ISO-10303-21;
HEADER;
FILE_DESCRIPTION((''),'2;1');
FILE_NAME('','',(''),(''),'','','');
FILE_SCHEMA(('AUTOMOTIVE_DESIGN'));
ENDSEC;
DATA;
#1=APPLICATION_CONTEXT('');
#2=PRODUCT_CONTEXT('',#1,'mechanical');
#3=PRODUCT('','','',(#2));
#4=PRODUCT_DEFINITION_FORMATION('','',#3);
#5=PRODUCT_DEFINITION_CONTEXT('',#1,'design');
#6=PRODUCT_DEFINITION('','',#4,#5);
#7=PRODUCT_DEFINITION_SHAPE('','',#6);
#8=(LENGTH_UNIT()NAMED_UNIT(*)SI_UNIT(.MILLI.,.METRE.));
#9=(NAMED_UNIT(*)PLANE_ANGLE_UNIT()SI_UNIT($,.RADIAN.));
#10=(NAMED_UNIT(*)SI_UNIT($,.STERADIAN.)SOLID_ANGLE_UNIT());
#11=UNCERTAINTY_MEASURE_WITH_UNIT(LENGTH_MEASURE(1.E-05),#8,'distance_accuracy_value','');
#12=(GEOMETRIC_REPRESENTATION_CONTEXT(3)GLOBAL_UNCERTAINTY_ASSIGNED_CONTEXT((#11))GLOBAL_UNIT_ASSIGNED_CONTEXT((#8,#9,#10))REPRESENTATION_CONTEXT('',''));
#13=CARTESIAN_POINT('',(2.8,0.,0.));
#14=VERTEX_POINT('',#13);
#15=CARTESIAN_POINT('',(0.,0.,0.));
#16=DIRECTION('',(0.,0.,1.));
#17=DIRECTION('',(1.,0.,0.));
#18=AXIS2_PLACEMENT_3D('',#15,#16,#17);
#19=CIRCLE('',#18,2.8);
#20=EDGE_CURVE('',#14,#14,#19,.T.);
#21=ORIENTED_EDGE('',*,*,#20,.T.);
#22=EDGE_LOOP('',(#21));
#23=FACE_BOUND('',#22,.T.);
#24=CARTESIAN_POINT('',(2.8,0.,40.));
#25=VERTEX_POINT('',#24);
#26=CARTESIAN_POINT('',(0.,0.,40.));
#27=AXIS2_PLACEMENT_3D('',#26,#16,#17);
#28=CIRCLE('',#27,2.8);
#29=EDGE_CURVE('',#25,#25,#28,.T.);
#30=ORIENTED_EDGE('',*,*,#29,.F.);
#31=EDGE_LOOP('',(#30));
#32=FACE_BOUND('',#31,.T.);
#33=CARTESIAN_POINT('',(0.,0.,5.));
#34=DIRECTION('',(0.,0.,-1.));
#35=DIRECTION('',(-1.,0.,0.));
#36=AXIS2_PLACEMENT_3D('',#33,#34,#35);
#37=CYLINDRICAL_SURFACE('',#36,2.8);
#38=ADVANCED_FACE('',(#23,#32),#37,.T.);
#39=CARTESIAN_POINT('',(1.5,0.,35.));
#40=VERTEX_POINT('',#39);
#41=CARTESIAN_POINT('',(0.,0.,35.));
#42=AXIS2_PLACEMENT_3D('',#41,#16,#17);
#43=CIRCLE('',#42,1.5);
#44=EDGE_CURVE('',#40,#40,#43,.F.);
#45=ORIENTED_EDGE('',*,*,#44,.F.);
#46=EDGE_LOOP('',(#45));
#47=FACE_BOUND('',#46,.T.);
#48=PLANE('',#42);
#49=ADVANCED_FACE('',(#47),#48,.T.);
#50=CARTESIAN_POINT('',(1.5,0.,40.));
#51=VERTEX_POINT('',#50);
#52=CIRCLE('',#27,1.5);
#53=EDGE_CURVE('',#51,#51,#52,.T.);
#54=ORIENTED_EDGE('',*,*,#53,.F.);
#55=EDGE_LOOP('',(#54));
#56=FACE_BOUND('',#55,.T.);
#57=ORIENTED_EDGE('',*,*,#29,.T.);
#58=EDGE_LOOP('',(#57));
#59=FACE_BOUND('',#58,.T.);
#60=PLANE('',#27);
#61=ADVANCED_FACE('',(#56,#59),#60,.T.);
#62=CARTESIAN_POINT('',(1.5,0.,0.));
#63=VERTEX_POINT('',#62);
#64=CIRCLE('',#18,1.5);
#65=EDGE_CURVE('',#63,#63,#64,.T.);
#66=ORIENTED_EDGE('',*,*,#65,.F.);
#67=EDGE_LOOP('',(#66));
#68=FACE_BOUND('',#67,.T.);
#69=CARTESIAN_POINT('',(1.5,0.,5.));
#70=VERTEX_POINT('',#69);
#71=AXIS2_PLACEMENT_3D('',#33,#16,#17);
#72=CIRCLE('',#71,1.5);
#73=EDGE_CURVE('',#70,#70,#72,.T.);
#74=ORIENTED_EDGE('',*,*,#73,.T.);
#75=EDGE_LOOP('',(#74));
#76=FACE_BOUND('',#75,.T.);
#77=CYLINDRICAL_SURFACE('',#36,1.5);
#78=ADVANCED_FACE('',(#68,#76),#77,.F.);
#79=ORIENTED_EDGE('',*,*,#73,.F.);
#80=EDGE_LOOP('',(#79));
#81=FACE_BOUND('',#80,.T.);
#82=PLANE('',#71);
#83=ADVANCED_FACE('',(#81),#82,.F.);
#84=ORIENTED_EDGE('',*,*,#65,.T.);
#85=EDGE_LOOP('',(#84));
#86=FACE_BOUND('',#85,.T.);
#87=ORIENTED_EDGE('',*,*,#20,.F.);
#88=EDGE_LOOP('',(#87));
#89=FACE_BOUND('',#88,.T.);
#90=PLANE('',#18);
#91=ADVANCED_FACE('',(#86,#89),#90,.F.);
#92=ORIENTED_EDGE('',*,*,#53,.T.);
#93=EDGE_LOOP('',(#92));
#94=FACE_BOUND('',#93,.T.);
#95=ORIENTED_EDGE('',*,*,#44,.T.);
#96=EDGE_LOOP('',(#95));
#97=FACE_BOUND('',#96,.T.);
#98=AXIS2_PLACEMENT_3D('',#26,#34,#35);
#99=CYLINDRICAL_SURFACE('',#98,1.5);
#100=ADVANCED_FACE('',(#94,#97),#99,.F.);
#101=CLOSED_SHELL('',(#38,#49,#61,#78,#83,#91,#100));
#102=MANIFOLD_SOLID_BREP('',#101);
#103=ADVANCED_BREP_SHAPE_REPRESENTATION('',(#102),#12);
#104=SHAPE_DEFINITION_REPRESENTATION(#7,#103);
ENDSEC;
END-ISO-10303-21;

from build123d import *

# Parameters (mm, degrees)
SKETCH1_R           = 2.8
SKETCH1_R_2         = 1.5
BOSS_EXTRUDE1_DEPTH = 5
SKETCH2_R           = 2.8
BOSS_EXTRUDE2_DEPTH = 30
SKETCH3_R           = 2.8
SKETCH3_R_2         = 1.5
BOSS_EXTRUDE3_DEPTH = 5


with BuildPart() as part:
    # Sketch1 → Boss-Extrude1 (new body)
    with BuildSketch(Plane.XY):
        Circle(SKETCH1_R)
        Circle(SKETCH1_R_2, mode=Mode.SUBTRACT)
    extrude(amount=BOSS_EXTRUDE1_DEPTH)

    # Sketch2 → Boss-Extrude2 (add)
    with BuildSketch(Plane.XY.offset(5)):
        Circle(SKETCH2_R)
    extrude(amount=BOSS_EXTRUDE2_DEPTH)

    # Sketch3 → Boss-Extrude3 (add)
    with BuildSketch(Plane.XY.offset(35)):
        Circle(SKETCH3_R)
        Circle(SKETCH3_R_2, mode=Mode.SUBTRACT)
    extrude(amount=BOSS_EXTRUDE3_DEPTH)


solid = part.part
